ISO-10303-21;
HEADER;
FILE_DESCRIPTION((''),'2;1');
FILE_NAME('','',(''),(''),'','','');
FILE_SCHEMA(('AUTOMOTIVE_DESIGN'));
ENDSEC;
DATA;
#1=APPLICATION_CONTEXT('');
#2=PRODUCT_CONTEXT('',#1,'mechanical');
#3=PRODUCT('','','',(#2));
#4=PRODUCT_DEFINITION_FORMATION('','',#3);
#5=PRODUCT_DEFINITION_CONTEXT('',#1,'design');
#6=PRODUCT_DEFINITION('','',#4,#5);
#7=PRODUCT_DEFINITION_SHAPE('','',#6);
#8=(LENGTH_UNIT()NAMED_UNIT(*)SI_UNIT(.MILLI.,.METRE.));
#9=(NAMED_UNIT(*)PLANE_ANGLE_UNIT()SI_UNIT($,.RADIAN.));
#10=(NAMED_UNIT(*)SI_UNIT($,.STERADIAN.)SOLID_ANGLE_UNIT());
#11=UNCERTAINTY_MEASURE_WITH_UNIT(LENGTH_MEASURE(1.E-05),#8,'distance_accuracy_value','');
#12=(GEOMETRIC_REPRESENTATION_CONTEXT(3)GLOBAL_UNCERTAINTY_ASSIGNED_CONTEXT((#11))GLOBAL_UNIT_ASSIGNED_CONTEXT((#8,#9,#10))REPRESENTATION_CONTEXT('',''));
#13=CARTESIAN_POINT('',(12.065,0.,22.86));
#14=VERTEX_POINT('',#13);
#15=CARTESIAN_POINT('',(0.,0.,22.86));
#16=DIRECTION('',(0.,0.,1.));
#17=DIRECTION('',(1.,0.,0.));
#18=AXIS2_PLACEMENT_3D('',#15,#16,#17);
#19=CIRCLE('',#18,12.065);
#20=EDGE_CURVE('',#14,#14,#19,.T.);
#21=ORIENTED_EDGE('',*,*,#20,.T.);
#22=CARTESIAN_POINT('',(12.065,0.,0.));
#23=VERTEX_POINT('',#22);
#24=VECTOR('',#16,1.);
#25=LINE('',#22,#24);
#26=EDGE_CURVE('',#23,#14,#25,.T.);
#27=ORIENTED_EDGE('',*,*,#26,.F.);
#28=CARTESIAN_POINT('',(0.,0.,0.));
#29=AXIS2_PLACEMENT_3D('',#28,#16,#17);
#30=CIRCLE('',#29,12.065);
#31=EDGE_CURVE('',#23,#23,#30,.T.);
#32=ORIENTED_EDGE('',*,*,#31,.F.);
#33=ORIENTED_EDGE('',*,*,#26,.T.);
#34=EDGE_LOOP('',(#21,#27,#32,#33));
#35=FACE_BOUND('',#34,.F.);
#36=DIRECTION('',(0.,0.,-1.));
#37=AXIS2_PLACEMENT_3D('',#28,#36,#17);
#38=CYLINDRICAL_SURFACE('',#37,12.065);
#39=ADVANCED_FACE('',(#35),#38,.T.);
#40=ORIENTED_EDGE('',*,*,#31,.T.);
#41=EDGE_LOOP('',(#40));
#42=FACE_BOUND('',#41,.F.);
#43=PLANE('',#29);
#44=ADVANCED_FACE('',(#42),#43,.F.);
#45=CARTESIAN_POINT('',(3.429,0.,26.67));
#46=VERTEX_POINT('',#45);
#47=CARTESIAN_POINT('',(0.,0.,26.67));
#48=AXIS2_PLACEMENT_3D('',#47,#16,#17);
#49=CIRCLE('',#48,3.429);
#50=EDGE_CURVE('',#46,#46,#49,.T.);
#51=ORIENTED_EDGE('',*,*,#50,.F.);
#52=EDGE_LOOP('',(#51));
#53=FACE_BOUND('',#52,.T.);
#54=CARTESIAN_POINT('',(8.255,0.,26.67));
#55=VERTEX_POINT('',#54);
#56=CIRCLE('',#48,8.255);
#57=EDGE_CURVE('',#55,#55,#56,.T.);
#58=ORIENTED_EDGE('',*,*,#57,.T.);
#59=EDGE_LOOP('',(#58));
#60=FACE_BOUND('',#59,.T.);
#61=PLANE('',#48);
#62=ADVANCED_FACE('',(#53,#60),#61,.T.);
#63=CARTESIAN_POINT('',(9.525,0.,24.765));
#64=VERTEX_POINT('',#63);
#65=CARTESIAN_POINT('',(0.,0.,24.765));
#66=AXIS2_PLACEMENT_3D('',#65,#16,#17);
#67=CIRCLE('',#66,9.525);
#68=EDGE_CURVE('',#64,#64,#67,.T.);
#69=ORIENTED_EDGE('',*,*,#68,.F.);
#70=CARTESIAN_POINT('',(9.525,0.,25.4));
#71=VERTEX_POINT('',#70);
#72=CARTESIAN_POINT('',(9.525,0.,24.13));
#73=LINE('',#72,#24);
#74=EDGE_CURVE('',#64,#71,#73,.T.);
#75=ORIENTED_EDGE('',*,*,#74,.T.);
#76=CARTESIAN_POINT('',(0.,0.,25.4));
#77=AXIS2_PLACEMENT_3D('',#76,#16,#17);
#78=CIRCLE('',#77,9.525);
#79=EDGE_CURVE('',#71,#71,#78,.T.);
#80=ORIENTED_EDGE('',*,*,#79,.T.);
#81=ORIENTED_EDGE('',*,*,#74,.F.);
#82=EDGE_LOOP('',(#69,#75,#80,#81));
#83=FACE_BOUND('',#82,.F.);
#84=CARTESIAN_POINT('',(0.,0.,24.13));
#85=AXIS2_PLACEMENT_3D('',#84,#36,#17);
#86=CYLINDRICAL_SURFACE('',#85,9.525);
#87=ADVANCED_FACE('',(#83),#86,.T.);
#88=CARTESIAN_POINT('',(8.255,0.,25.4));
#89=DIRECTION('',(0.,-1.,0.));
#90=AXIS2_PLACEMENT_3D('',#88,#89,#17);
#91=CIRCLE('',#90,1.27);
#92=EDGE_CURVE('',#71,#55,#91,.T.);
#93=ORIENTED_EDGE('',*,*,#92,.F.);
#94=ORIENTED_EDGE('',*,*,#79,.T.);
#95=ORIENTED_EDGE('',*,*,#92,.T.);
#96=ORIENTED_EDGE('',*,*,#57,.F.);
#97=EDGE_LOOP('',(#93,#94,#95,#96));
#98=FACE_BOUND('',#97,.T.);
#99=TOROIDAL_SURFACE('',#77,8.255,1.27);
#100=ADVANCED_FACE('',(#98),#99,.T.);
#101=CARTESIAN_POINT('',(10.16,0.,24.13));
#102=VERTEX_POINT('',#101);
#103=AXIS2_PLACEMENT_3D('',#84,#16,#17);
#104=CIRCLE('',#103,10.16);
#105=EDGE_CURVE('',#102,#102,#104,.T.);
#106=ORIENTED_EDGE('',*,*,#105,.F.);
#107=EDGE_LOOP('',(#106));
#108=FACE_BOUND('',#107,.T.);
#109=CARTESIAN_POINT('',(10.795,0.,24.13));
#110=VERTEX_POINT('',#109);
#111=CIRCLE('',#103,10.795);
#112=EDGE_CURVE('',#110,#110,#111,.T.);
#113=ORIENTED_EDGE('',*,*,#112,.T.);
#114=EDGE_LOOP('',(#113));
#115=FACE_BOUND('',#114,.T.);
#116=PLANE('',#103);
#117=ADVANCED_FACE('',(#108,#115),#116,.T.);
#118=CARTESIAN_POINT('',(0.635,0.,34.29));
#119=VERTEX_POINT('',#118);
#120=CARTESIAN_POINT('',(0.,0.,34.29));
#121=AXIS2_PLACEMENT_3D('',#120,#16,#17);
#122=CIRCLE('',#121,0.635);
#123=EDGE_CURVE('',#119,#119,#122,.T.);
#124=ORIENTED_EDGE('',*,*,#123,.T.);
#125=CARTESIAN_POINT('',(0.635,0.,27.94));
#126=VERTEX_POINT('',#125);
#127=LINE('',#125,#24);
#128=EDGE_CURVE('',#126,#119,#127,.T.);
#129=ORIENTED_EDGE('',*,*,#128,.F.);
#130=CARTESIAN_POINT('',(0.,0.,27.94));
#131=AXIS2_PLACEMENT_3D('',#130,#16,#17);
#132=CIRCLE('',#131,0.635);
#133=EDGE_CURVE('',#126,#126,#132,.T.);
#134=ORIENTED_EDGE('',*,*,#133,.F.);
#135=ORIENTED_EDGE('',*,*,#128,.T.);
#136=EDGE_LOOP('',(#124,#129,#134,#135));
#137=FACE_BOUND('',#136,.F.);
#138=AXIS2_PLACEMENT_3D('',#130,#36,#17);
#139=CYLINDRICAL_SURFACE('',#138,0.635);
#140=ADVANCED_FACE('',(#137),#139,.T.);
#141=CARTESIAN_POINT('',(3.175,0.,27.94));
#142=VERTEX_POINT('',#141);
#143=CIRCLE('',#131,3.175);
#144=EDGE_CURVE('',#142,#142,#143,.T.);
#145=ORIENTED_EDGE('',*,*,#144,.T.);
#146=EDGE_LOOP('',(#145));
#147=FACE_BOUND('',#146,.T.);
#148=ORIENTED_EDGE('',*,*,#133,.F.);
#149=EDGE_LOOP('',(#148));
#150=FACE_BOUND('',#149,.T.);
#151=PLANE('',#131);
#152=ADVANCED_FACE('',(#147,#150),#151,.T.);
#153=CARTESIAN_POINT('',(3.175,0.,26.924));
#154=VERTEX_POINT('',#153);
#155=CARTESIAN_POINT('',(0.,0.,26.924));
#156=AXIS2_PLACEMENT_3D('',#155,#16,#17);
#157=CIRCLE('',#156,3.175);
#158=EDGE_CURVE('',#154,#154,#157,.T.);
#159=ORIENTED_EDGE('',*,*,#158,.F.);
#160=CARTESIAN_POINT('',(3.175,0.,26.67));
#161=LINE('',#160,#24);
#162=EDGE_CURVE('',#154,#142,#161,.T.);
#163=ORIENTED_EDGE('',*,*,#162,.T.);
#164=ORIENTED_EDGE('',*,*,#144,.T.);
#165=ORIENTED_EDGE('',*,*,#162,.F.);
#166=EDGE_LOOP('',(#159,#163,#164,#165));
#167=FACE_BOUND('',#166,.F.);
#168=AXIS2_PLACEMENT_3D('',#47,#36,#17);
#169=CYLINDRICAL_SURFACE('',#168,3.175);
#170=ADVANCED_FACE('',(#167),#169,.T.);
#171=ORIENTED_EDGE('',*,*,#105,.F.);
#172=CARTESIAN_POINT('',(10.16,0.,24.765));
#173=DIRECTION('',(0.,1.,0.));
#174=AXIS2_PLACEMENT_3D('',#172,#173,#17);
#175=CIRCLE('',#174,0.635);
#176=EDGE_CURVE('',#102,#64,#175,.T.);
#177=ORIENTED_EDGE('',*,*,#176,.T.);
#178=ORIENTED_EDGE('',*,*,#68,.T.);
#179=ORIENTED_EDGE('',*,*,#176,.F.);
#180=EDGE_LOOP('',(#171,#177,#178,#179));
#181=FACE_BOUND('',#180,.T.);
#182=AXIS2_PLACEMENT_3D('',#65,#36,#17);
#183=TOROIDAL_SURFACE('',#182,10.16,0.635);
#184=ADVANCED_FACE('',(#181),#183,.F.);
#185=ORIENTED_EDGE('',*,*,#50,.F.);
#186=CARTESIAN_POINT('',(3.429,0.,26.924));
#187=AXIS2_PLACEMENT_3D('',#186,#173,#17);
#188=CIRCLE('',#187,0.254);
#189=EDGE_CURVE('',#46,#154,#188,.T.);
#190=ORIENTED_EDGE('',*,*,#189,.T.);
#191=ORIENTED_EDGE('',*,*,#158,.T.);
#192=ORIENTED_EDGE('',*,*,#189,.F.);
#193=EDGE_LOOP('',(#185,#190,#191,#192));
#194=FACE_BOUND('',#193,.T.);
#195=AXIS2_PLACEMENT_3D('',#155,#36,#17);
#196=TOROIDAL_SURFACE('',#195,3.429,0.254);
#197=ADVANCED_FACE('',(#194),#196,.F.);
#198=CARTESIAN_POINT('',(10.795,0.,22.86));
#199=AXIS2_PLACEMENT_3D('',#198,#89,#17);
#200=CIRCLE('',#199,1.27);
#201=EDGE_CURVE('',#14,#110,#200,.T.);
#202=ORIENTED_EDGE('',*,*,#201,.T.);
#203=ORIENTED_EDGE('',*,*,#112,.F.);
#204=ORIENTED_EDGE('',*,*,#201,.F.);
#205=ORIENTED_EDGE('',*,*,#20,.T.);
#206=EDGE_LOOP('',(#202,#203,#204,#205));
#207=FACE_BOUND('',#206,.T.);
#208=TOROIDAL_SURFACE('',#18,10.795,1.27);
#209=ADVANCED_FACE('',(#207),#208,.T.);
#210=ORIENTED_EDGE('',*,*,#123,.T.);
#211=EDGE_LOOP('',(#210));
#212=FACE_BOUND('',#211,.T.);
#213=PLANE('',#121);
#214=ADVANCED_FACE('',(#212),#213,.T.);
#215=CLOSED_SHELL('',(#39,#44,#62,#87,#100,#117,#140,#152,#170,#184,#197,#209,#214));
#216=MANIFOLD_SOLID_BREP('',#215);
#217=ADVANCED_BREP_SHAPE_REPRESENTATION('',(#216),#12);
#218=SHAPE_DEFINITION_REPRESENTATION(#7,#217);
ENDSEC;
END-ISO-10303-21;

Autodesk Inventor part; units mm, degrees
ref_plane "YZ Plane" through (0, 0, 0) normal (1, 0, 0) x (0, 1, 0)
ref_plane "XZ Plane" through (0, 0, 0) normal (0, 1, 0) x (-1, 0, 0)
ref_plane "XY Plane" through (0, 0, 0) normal (0, 0, 1) x (1, 0, 0)
sketch "Sketch1" plane through (0, 0, 0) normal (0, 0, 1) x (1, 0, 0)
  circle A0 centre (0, 0) radius 12.065
  dimension "d0" = 24.13
extrude "Extrusion1" add sketch "Sketch1" along normal blind 24.13
sketch "Sketch2" plane through (0, 0, 24.13) normal (0, 0, 1) x (1, 0, 0)
  circle A0 centre (0, 0) radius 12.065 projected
  circle A1 centre (0, 0) radius 9.525
  dimension "d4" = 19.05
extrude "Extrusion2" add sketch "Sketch2" along normal blind 2.54 contours A1
sketch "Sketch3" plane through (0, 0, 26.67) normal (0, 0, 1) x (1, 0, 0)
  circle A0 centre (0, 0) radius 9.525 projected
  circle A1 centre (0, 0) radius 3.175
  dimension "d8" = 6.35
extrude "Extrusion3" add sketch "Sketch3" along normal blind 1.27 contours A1
sketch "Sketch4" plane through (0, 0, 27.94) normal (0, 0, 1) x (1, 0, 0)
  circle A0 centre (0, 0) radius 3.175 projected
  circle A1 centre (0, 0) radius 0.635
  dimension "d12" = 1.27
extrude "Extrusion4" add sketch "Sketch4" along normal blind 6.35 contours A1
fillet "Fillet1" radius 1.27 2 edges at (-12.065, 0, 24.13) (-9.525, 0, 26.67)
fillet "Fillet2" radius 0.635 1 edges at (-9.525, 0, 24.13)
fillet "Fillet3" radius 0.254 1 edges at (-3.175, 0, 26.67)
properties part number "Motor"
